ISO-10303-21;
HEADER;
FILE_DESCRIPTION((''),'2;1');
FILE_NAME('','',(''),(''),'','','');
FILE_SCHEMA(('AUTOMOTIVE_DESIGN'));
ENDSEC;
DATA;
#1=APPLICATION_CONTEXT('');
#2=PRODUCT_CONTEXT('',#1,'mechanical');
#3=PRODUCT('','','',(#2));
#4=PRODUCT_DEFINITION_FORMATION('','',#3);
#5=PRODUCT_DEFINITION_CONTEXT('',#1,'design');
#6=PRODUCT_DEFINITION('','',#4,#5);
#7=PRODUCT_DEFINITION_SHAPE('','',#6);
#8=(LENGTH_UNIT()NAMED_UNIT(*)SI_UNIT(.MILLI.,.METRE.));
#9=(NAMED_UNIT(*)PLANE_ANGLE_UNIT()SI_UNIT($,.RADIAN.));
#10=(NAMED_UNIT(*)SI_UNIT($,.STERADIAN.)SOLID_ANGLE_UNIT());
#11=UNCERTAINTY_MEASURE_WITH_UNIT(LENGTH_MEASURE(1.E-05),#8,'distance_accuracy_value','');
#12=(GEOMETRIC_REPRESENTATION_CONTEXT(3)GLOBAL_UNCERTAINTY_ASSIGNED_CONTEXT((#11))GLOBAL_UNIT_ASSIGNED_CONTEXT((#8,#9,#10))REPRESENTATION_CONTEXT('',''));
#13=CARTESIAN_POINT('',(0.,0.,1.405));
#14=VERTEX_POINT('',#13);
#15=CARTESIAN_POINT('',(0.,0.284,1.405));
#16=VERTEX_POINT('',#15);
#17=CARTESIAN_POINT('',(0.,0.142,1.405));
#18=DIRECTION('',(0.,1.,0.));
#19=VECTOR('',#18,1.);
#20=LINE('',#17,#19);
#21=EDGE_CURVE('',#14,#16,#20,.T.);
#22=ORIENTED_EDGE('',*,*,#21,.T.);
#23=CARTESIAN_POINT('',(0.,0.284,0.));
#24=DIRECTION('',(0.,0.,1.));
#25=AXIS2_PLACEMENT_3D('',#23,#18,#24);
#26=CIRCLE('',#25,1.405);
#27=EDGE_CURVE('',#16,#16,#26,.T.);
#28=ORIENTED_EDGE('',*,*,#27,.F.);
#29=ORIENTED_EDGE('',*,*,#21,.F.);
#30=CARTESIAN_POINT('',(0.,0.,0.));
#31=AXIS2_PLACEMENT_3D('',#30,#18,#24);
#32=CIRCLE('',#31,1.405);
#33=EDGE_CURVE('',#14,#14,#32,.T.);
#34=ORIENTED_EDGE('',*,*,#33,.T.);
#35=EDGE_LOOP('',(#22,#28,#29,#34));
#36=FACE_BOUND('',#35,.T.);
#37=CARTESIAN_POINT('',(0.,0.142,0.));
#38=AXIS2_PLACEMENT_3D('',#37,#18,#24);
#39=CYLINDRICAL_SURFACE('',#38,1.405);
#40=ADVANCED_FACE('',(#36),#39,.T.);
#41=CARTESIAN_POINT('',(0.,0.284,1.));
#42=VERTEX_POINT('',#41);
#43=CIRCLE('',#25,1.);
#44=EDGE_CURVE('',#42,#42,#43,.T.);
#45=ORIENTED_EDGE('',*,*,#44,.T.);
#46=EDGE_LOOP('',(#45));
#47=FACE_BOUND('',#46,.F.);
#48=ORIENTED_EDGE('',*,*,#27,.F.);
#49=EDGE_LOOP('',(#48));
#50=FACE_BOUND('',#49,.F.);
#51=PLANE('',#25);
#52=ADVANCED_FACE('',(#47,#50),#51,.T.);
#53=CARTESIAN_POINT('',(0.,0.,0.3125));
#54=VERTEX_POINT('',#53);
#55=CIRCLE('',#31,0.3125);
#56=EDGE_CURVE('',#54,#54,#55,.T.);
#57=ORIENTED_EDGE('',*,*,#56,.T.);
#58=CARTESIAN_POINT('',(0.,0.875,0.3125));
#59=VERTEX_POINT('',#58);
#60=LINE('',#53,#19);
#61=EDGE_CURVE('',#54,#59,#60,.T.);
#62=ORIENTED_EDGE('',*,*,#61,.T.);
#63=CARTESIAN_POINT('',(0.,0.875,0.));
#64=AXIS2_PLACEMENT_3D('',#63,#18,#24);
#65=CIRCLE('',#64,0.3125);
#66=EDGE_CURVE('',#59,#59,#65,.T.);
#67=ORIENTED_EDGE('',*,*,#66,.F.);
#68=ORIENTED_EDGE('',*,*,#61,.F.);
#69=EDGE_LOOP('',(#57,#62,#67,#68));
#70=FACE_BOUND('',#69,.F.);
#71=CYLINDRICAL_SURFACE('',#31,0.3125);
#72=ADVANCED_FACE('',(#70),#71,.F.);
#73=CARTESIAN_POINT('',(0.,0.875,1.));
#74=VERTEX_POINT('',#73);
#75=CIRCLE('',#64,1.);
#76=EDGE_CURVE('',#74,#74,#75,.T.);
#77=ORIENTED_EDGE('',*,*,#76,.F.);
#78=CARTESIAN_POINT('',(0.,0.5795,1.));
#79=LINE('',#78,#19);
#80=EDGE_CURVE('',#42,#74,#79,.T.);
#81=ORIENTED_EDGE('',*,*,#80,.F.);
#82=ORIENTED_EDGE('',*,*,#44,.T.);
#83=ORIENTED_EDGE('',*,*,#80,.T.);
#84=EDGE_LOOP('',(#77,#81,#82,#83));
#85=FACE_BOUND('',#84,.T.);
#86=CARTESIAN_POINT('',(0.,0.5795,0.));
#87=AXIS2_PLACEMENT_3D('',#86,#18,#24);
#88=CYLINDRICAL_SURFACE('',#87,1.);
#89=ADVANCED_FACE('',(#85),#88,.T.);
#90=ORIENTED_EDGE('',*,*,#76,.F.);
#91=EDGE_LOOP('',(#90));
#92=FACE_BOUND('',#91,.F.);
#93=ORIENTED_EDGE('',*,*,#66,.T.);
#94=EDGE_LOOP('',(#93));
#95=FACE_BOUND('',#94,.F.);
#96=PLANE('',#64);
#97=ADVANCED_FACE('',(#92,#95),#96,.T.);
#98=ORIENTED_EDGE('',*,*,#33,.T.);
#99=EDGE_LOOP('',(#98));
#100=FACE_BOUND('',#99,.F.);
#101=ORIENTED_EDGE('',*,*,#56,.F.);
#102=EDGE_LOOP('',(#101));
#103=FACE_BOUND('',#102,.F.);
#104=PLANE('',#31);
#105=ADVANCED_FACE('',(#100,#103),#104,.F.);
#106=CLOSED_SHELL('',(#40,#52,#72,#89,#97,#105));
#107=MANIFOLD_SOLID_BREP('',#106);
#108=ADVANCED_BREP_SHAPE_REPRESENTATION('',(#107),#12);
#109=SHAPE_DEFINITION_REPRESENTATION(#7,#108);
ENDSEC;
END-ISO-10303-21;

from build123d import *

# Parameters (mm, degrees)
F0_W   = 0.284
F0_H   = 0.405
F0_H_2 = 0.6875
F0_W_2 = 0.591


with BuildPart() as f1:
    # F0 (on Right) → F1 (revolve)
    with BuildSketch(Plane.YZ):
        with Locations((0.142, 1.2025)):
            Rectangle(F0_W, F0_H)
        with Locations((0.142, 0.65625)):
            Rectangle(F0_W, F0_H_2)
        with Locations((0.5795, 0.65625)):
            Rectangle(F0_W_2, F0_H_2)
    revolve(axis=Axis((0, 0.4375, 0), (0, 1, 0)))


solid = f1.part
